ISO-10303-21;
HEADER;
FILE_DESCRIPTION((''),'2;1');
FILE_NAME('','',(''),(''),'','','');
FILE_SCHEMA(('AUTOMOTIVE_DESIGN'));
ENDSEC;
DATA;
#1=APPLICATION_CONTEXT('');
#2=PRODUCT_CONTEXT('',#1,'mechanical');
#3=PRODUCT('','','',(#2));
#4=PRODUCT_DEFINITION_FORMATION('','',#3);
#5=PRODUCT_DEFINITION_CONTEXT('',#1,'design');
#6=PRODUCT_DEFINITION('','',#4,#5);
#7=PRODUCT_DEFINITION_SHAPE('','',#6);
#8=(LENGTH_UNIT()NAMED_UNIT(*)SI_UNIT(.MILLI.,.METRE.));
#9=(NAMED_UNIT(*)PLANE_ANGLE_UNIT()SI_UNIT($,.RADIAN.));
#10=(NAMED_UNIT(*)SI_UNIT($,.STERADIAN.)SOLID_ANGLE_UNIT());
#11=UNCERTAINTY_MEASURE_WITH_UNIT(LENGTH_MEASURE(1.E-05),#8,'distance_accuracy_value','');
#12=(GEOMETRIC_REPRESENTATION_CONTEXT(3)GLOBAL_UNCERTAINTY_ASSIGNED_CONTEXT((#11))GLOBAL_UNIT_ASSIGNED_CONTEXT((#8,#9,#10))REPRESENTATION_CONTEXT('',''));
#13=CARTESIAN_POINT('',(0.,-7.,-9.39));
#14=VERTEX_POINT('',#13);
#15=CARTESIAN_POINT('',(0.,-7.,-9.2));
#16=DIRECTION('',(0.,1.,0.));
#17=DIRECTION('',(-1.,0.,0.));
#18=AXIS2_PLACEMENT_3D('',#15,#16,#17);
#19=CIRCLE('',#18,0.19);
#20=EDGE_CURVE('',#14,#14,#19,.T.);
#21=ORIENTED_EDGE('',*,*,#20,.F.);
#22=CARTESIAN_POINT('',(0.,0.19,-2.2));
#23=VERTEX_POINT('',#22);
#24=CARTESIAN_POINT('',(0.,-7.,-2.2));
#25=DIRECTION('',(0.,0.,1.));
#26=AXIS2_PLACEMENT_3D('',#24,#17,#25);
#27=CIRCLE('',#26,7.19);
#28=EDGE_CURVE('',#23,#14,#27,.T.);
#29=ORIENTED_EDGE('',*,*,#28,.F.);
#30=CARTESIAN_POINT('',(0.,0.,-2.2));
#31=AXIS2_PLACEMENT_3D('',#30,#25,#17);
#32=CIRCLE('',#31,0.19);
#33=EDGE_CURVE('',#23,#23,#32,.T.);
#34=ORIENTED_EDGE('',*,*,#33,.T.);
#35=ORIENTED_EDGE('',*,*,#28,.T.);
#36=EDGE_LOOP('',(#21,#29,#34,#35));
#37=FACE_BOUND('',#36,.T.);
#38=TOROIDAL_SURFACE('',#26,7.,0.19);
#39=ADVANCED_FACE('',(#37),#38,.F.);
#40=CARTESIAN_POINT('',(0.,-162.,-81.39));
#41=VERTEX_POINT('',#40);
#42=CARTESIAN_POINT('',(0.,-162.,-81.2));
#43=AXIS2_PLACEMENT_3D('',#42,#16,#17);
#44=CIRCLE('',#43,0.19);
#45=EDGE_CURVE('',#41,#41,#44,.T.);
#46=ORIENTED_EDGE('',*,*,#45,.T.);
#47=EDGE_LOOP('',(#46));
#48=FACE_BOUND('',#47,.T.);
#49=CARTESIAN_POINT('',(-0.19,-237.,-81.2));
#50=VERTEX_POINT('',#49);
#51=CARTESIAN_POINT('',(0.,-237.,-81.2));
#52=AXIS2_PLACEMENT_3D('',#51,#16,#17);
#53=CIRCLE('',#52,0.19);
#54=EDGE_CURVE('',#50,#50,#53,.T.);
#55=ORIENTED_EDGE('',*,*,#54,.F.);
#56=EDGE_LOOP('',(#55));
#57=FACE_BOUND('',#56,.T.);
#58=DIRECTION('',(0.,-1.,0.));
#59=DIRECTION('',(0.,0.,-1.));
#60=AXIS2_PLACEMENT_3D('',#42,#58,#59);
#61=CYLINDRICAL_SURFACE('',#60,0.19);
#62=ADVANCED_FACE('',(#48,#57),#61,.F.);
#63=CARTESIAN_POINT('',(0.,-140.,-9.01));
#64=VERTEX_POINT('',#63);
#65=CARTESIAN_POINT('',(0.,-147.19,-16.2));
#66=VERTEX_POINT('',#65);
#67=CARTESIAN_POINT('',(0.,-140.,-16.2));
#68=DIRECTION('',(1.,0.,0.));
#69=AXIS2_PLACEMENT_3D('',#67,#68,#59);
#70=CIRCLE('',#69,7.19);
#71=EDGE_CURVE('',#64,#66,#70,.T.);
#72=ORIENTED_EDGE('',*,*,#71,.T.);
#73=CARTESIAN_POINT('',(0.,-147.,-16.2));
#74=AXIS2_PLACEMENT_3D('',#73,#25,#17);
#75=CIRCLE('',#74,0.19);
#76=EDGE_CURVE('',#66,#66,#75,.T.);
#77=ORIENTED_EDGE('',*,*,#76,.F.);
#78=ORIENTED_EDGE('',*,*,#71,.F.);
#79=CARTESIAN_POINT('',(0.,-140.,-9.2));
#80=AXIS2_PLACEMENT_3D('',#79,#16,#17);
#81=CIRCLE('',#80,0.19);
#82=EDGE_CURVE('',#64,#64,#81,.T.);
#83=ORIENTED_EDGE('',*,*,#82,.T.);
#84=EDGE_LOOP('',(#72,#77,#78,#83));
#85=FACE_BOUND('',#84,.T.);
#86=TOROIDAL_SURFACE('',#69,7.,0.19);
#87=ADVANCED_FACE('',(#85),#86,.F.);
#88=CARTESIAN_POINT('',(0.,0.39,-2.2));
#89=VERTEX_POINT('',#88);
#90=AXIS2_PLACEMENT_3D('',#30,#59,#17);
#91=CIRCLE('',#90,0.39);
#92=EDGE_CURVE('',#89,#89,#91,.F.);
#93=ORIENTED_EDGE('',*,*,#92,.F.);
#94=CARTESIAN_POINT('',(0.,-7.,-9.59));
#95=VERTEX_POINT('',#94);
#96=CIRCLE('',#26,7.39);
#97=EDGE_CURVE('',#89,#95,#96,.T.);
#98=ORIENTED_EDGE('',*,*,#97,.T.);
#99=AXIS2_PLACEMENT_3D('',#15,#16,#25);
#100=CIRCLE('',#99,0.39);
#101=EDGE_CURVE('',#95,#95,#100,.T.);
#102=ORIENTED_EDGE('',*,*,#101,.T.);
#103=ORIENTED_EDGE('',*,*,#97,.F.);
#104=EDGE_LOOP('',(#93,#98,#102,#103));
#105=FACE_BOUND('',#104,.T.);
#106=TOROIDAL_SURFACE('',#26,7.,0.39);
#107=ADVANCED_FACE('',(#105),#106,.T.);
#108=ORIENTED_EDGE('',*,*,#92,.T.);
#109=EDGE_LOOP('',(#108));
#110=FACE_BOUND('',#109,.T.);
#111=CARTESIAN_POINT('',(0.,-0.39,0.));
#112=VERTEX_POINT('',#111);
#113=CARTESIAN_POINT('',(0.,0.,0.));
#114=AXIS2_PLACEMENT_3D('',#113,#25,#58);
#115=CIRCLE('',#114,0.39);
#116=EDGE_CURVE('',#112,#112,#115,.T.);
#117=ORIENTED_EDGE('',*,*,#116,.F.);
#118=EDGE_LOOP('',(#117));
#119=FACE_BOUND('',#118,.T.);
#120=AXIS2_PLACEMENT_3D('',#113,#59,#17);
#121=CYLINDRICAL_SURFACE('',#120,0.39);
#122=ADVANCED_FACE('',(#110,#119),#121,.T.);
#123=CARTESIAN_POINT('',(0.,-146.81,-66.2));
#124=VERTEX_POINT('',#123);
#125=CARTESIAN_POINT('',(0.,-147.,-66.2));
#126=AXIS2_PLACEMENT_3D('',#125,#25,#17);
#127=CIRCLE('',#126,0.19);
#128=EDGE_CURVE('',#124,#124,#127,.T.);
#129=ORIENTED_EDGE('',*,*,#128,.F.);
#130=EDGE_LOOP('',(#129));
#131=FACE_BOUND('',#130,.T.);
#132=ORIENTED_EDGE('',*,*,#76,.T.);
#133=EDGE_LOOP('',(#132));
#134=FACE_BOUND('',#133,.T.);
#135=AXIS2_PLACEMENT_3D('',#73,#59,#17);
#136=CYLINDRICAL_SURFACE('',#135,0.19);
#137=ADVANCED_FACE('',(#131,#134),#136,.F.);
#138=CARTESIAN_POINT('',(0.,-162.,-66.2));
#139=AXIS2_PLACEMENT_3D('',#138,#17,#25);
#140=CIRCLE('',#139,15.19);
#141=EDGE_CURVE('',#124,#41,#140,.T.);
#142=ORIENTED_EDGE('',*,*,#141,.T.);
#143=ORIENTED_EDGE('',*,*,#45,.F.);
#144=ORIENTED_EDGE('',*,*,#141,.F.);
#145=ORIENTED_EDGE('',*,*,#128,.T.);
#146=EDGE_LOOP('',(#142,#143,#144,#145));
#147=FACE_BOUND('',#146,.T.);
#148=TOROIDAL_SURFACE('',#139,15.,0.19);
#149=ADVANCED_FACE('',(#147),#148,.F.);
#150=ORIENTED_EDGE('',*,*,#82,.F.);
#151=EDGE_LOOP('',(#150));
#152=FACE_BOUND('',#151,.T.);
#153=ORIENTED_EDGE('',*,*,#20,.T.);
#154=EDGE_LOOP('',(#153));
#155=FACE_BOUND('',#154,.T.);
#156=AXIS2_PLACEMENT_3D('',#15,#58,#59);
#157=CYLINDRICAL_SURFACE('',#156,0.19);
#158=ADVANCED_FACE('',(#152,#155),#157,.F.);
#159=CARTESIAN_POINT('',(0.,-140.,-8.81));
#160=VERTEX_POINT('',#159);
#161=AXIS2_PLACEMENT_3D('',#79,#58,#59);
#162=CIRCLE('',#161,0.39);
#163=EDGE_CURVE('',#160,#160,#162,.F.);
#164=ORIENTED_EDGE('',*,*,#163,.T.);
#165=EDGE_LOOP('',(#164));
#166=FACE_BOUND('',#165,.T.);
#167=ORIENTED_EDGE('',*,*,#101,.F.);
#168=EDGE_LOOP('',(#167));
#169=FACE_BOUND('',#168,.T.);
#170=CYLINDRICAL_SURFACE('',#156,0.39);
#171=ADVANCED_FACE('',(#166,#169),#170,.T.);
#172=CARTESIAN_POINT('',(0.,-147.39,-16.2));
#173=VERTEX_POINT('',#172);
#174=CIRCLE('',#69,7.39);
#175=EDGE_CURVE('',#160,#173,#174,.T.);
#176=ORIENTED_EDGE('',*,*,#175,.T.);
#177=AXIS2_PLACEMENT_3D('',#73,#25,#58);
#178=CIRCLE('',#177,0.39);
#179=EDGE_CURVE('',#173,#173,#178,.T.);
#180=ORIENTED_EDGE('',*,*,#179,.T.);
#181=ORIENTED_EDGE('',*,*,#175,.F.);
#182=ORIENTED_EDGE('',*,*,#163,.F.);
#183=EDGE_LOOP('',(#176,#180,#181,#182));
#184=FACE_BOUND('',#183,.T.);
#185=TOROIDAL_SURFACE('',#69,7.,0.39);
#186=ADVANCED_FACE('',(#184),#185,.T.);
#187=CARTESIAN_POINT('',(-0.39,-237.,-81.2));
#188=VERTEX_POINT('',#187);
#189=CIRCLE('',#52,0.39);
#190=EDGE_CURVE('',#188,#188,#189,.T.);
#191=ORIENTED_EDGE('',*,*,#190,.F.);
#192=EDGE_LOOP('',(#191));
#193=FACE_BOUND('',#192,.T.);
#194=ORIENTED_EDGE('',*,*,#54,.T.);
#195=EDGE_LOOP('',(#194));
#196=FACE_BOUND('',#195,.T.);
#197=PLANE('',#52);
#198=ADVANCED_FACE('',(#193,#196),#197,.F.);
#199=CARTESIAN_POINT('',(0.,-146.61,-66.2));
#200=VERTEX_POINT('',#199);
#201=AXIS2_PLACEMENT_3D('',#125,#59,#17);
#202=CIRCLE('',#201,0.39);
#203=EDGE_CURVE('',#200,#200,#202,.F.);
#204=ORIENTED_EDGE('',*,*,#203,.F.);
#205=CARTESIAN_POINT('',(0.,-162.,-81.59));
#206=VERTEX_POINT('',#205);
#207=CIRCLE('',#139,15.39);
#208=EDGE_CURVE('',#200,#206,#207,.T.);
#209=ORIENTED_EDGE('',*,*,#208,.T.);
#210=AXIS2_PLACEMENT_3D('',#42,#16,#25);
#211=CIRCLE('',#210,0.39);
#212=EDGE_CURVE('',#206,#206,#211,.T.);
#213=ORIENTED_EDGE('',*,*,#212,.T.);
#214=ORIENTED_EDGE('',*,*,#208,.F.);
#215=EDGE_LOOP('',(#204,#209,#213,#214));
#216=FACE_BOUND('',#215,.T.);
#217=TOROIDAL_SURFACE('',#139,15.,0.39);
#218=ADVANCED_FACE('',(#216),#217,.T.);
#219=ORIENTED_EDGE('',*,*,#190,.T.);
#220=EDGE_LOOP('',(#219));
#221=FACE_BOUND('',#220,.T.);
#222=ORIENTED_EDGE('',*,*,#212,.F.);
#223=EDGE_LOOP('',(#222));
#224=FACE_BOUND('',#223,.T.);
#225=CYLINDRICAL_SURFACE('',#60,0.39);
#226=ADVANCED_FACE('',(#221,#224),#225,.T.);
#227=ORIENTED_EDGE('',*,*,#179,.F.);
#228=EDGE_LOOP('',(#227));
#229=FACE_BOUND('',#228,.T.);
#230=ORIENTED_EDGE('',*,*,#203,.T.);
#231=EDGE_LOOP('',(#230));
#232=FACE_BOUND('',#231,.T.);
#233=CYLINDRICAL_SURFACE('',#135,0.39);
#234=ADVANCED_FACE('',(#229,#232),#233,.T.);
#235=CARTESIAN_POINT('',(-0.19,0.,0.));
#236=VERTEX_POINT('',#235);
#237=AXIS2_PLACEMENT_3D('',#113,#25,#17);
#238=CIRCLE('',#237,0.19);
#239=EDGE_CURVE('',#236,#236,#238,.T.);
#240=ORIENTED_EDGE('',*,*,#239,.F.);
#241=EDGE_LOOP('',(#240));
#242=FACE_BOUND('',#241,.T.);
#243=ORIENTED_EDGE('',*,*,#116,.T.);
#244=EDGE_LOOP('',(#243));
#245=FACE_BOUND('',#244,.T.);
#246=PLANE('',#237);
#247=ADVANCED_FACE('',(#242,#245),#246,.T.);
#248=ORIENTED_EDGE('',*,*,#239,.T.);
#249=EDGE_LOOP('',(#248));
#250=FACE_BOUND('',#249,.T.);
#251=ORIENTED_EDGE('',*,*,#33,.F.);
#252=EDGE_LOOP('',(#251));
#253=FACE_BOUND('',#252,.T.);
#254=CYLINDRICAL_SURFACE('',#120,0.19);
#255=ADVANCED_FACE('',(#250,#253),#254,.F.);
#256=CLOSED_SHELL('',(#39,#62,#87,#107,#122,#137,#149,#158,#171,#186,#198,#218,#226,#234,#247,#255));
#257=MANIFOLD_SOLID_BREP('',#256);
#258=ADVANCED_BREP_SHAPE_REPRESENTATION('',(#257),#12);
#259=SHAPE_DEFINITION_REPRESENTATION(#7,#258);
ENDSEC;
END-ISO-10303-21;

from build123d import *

# Parameters (mm, degrees)
SWEEP_THIN1_PROFILE_R   = 0.39
SWEEP_THIN1_PROFILE_R_2 = 0.19


with BuildPart() as part:
    # Sweep-Thin1: sweep along a curve in space
    with BuildLine() as sweep_thin1_path:
        Line((0, 0, 0), (0, 0, -2.2))
        ThreePointArc((0, 0, -2.2), (0, -2.050252532, -7.149747468), (0, -7, -9.2))
        Line((0, -7, -9.2), (0, -140, -9.2))
        ThreePointArc((0, -140, -9.2), (0, -144.949747468, -11.250252532), (0, -147, -16.2))
        Line((0, -147, -16.2), (0, -147, -66.2))
        ThreePointArc((0, -147, -66.2), (0, -151.393398282, -76.806601718), (0, -162, -81.2))
        Line((0, -162, -81.2), (0, -237, -81.2))
    # Sweep-Thin1 profile (on start of the path) → Sweep-Thin1 (sweep)
    with BuildSketch(Plane(origin=(0, 0, 0), x_dir=(-1, 0, 0), z_dir=(0, 0, -1))):
        Circle(SWEEP_THIN1_PROFILE_R)
        Circle(SWEEP_THIN1_PROFILE_R_2, mode=Mode.SUBTRACT)
    sweep(path=sweep_thin1_path.line)


solid = part.part
